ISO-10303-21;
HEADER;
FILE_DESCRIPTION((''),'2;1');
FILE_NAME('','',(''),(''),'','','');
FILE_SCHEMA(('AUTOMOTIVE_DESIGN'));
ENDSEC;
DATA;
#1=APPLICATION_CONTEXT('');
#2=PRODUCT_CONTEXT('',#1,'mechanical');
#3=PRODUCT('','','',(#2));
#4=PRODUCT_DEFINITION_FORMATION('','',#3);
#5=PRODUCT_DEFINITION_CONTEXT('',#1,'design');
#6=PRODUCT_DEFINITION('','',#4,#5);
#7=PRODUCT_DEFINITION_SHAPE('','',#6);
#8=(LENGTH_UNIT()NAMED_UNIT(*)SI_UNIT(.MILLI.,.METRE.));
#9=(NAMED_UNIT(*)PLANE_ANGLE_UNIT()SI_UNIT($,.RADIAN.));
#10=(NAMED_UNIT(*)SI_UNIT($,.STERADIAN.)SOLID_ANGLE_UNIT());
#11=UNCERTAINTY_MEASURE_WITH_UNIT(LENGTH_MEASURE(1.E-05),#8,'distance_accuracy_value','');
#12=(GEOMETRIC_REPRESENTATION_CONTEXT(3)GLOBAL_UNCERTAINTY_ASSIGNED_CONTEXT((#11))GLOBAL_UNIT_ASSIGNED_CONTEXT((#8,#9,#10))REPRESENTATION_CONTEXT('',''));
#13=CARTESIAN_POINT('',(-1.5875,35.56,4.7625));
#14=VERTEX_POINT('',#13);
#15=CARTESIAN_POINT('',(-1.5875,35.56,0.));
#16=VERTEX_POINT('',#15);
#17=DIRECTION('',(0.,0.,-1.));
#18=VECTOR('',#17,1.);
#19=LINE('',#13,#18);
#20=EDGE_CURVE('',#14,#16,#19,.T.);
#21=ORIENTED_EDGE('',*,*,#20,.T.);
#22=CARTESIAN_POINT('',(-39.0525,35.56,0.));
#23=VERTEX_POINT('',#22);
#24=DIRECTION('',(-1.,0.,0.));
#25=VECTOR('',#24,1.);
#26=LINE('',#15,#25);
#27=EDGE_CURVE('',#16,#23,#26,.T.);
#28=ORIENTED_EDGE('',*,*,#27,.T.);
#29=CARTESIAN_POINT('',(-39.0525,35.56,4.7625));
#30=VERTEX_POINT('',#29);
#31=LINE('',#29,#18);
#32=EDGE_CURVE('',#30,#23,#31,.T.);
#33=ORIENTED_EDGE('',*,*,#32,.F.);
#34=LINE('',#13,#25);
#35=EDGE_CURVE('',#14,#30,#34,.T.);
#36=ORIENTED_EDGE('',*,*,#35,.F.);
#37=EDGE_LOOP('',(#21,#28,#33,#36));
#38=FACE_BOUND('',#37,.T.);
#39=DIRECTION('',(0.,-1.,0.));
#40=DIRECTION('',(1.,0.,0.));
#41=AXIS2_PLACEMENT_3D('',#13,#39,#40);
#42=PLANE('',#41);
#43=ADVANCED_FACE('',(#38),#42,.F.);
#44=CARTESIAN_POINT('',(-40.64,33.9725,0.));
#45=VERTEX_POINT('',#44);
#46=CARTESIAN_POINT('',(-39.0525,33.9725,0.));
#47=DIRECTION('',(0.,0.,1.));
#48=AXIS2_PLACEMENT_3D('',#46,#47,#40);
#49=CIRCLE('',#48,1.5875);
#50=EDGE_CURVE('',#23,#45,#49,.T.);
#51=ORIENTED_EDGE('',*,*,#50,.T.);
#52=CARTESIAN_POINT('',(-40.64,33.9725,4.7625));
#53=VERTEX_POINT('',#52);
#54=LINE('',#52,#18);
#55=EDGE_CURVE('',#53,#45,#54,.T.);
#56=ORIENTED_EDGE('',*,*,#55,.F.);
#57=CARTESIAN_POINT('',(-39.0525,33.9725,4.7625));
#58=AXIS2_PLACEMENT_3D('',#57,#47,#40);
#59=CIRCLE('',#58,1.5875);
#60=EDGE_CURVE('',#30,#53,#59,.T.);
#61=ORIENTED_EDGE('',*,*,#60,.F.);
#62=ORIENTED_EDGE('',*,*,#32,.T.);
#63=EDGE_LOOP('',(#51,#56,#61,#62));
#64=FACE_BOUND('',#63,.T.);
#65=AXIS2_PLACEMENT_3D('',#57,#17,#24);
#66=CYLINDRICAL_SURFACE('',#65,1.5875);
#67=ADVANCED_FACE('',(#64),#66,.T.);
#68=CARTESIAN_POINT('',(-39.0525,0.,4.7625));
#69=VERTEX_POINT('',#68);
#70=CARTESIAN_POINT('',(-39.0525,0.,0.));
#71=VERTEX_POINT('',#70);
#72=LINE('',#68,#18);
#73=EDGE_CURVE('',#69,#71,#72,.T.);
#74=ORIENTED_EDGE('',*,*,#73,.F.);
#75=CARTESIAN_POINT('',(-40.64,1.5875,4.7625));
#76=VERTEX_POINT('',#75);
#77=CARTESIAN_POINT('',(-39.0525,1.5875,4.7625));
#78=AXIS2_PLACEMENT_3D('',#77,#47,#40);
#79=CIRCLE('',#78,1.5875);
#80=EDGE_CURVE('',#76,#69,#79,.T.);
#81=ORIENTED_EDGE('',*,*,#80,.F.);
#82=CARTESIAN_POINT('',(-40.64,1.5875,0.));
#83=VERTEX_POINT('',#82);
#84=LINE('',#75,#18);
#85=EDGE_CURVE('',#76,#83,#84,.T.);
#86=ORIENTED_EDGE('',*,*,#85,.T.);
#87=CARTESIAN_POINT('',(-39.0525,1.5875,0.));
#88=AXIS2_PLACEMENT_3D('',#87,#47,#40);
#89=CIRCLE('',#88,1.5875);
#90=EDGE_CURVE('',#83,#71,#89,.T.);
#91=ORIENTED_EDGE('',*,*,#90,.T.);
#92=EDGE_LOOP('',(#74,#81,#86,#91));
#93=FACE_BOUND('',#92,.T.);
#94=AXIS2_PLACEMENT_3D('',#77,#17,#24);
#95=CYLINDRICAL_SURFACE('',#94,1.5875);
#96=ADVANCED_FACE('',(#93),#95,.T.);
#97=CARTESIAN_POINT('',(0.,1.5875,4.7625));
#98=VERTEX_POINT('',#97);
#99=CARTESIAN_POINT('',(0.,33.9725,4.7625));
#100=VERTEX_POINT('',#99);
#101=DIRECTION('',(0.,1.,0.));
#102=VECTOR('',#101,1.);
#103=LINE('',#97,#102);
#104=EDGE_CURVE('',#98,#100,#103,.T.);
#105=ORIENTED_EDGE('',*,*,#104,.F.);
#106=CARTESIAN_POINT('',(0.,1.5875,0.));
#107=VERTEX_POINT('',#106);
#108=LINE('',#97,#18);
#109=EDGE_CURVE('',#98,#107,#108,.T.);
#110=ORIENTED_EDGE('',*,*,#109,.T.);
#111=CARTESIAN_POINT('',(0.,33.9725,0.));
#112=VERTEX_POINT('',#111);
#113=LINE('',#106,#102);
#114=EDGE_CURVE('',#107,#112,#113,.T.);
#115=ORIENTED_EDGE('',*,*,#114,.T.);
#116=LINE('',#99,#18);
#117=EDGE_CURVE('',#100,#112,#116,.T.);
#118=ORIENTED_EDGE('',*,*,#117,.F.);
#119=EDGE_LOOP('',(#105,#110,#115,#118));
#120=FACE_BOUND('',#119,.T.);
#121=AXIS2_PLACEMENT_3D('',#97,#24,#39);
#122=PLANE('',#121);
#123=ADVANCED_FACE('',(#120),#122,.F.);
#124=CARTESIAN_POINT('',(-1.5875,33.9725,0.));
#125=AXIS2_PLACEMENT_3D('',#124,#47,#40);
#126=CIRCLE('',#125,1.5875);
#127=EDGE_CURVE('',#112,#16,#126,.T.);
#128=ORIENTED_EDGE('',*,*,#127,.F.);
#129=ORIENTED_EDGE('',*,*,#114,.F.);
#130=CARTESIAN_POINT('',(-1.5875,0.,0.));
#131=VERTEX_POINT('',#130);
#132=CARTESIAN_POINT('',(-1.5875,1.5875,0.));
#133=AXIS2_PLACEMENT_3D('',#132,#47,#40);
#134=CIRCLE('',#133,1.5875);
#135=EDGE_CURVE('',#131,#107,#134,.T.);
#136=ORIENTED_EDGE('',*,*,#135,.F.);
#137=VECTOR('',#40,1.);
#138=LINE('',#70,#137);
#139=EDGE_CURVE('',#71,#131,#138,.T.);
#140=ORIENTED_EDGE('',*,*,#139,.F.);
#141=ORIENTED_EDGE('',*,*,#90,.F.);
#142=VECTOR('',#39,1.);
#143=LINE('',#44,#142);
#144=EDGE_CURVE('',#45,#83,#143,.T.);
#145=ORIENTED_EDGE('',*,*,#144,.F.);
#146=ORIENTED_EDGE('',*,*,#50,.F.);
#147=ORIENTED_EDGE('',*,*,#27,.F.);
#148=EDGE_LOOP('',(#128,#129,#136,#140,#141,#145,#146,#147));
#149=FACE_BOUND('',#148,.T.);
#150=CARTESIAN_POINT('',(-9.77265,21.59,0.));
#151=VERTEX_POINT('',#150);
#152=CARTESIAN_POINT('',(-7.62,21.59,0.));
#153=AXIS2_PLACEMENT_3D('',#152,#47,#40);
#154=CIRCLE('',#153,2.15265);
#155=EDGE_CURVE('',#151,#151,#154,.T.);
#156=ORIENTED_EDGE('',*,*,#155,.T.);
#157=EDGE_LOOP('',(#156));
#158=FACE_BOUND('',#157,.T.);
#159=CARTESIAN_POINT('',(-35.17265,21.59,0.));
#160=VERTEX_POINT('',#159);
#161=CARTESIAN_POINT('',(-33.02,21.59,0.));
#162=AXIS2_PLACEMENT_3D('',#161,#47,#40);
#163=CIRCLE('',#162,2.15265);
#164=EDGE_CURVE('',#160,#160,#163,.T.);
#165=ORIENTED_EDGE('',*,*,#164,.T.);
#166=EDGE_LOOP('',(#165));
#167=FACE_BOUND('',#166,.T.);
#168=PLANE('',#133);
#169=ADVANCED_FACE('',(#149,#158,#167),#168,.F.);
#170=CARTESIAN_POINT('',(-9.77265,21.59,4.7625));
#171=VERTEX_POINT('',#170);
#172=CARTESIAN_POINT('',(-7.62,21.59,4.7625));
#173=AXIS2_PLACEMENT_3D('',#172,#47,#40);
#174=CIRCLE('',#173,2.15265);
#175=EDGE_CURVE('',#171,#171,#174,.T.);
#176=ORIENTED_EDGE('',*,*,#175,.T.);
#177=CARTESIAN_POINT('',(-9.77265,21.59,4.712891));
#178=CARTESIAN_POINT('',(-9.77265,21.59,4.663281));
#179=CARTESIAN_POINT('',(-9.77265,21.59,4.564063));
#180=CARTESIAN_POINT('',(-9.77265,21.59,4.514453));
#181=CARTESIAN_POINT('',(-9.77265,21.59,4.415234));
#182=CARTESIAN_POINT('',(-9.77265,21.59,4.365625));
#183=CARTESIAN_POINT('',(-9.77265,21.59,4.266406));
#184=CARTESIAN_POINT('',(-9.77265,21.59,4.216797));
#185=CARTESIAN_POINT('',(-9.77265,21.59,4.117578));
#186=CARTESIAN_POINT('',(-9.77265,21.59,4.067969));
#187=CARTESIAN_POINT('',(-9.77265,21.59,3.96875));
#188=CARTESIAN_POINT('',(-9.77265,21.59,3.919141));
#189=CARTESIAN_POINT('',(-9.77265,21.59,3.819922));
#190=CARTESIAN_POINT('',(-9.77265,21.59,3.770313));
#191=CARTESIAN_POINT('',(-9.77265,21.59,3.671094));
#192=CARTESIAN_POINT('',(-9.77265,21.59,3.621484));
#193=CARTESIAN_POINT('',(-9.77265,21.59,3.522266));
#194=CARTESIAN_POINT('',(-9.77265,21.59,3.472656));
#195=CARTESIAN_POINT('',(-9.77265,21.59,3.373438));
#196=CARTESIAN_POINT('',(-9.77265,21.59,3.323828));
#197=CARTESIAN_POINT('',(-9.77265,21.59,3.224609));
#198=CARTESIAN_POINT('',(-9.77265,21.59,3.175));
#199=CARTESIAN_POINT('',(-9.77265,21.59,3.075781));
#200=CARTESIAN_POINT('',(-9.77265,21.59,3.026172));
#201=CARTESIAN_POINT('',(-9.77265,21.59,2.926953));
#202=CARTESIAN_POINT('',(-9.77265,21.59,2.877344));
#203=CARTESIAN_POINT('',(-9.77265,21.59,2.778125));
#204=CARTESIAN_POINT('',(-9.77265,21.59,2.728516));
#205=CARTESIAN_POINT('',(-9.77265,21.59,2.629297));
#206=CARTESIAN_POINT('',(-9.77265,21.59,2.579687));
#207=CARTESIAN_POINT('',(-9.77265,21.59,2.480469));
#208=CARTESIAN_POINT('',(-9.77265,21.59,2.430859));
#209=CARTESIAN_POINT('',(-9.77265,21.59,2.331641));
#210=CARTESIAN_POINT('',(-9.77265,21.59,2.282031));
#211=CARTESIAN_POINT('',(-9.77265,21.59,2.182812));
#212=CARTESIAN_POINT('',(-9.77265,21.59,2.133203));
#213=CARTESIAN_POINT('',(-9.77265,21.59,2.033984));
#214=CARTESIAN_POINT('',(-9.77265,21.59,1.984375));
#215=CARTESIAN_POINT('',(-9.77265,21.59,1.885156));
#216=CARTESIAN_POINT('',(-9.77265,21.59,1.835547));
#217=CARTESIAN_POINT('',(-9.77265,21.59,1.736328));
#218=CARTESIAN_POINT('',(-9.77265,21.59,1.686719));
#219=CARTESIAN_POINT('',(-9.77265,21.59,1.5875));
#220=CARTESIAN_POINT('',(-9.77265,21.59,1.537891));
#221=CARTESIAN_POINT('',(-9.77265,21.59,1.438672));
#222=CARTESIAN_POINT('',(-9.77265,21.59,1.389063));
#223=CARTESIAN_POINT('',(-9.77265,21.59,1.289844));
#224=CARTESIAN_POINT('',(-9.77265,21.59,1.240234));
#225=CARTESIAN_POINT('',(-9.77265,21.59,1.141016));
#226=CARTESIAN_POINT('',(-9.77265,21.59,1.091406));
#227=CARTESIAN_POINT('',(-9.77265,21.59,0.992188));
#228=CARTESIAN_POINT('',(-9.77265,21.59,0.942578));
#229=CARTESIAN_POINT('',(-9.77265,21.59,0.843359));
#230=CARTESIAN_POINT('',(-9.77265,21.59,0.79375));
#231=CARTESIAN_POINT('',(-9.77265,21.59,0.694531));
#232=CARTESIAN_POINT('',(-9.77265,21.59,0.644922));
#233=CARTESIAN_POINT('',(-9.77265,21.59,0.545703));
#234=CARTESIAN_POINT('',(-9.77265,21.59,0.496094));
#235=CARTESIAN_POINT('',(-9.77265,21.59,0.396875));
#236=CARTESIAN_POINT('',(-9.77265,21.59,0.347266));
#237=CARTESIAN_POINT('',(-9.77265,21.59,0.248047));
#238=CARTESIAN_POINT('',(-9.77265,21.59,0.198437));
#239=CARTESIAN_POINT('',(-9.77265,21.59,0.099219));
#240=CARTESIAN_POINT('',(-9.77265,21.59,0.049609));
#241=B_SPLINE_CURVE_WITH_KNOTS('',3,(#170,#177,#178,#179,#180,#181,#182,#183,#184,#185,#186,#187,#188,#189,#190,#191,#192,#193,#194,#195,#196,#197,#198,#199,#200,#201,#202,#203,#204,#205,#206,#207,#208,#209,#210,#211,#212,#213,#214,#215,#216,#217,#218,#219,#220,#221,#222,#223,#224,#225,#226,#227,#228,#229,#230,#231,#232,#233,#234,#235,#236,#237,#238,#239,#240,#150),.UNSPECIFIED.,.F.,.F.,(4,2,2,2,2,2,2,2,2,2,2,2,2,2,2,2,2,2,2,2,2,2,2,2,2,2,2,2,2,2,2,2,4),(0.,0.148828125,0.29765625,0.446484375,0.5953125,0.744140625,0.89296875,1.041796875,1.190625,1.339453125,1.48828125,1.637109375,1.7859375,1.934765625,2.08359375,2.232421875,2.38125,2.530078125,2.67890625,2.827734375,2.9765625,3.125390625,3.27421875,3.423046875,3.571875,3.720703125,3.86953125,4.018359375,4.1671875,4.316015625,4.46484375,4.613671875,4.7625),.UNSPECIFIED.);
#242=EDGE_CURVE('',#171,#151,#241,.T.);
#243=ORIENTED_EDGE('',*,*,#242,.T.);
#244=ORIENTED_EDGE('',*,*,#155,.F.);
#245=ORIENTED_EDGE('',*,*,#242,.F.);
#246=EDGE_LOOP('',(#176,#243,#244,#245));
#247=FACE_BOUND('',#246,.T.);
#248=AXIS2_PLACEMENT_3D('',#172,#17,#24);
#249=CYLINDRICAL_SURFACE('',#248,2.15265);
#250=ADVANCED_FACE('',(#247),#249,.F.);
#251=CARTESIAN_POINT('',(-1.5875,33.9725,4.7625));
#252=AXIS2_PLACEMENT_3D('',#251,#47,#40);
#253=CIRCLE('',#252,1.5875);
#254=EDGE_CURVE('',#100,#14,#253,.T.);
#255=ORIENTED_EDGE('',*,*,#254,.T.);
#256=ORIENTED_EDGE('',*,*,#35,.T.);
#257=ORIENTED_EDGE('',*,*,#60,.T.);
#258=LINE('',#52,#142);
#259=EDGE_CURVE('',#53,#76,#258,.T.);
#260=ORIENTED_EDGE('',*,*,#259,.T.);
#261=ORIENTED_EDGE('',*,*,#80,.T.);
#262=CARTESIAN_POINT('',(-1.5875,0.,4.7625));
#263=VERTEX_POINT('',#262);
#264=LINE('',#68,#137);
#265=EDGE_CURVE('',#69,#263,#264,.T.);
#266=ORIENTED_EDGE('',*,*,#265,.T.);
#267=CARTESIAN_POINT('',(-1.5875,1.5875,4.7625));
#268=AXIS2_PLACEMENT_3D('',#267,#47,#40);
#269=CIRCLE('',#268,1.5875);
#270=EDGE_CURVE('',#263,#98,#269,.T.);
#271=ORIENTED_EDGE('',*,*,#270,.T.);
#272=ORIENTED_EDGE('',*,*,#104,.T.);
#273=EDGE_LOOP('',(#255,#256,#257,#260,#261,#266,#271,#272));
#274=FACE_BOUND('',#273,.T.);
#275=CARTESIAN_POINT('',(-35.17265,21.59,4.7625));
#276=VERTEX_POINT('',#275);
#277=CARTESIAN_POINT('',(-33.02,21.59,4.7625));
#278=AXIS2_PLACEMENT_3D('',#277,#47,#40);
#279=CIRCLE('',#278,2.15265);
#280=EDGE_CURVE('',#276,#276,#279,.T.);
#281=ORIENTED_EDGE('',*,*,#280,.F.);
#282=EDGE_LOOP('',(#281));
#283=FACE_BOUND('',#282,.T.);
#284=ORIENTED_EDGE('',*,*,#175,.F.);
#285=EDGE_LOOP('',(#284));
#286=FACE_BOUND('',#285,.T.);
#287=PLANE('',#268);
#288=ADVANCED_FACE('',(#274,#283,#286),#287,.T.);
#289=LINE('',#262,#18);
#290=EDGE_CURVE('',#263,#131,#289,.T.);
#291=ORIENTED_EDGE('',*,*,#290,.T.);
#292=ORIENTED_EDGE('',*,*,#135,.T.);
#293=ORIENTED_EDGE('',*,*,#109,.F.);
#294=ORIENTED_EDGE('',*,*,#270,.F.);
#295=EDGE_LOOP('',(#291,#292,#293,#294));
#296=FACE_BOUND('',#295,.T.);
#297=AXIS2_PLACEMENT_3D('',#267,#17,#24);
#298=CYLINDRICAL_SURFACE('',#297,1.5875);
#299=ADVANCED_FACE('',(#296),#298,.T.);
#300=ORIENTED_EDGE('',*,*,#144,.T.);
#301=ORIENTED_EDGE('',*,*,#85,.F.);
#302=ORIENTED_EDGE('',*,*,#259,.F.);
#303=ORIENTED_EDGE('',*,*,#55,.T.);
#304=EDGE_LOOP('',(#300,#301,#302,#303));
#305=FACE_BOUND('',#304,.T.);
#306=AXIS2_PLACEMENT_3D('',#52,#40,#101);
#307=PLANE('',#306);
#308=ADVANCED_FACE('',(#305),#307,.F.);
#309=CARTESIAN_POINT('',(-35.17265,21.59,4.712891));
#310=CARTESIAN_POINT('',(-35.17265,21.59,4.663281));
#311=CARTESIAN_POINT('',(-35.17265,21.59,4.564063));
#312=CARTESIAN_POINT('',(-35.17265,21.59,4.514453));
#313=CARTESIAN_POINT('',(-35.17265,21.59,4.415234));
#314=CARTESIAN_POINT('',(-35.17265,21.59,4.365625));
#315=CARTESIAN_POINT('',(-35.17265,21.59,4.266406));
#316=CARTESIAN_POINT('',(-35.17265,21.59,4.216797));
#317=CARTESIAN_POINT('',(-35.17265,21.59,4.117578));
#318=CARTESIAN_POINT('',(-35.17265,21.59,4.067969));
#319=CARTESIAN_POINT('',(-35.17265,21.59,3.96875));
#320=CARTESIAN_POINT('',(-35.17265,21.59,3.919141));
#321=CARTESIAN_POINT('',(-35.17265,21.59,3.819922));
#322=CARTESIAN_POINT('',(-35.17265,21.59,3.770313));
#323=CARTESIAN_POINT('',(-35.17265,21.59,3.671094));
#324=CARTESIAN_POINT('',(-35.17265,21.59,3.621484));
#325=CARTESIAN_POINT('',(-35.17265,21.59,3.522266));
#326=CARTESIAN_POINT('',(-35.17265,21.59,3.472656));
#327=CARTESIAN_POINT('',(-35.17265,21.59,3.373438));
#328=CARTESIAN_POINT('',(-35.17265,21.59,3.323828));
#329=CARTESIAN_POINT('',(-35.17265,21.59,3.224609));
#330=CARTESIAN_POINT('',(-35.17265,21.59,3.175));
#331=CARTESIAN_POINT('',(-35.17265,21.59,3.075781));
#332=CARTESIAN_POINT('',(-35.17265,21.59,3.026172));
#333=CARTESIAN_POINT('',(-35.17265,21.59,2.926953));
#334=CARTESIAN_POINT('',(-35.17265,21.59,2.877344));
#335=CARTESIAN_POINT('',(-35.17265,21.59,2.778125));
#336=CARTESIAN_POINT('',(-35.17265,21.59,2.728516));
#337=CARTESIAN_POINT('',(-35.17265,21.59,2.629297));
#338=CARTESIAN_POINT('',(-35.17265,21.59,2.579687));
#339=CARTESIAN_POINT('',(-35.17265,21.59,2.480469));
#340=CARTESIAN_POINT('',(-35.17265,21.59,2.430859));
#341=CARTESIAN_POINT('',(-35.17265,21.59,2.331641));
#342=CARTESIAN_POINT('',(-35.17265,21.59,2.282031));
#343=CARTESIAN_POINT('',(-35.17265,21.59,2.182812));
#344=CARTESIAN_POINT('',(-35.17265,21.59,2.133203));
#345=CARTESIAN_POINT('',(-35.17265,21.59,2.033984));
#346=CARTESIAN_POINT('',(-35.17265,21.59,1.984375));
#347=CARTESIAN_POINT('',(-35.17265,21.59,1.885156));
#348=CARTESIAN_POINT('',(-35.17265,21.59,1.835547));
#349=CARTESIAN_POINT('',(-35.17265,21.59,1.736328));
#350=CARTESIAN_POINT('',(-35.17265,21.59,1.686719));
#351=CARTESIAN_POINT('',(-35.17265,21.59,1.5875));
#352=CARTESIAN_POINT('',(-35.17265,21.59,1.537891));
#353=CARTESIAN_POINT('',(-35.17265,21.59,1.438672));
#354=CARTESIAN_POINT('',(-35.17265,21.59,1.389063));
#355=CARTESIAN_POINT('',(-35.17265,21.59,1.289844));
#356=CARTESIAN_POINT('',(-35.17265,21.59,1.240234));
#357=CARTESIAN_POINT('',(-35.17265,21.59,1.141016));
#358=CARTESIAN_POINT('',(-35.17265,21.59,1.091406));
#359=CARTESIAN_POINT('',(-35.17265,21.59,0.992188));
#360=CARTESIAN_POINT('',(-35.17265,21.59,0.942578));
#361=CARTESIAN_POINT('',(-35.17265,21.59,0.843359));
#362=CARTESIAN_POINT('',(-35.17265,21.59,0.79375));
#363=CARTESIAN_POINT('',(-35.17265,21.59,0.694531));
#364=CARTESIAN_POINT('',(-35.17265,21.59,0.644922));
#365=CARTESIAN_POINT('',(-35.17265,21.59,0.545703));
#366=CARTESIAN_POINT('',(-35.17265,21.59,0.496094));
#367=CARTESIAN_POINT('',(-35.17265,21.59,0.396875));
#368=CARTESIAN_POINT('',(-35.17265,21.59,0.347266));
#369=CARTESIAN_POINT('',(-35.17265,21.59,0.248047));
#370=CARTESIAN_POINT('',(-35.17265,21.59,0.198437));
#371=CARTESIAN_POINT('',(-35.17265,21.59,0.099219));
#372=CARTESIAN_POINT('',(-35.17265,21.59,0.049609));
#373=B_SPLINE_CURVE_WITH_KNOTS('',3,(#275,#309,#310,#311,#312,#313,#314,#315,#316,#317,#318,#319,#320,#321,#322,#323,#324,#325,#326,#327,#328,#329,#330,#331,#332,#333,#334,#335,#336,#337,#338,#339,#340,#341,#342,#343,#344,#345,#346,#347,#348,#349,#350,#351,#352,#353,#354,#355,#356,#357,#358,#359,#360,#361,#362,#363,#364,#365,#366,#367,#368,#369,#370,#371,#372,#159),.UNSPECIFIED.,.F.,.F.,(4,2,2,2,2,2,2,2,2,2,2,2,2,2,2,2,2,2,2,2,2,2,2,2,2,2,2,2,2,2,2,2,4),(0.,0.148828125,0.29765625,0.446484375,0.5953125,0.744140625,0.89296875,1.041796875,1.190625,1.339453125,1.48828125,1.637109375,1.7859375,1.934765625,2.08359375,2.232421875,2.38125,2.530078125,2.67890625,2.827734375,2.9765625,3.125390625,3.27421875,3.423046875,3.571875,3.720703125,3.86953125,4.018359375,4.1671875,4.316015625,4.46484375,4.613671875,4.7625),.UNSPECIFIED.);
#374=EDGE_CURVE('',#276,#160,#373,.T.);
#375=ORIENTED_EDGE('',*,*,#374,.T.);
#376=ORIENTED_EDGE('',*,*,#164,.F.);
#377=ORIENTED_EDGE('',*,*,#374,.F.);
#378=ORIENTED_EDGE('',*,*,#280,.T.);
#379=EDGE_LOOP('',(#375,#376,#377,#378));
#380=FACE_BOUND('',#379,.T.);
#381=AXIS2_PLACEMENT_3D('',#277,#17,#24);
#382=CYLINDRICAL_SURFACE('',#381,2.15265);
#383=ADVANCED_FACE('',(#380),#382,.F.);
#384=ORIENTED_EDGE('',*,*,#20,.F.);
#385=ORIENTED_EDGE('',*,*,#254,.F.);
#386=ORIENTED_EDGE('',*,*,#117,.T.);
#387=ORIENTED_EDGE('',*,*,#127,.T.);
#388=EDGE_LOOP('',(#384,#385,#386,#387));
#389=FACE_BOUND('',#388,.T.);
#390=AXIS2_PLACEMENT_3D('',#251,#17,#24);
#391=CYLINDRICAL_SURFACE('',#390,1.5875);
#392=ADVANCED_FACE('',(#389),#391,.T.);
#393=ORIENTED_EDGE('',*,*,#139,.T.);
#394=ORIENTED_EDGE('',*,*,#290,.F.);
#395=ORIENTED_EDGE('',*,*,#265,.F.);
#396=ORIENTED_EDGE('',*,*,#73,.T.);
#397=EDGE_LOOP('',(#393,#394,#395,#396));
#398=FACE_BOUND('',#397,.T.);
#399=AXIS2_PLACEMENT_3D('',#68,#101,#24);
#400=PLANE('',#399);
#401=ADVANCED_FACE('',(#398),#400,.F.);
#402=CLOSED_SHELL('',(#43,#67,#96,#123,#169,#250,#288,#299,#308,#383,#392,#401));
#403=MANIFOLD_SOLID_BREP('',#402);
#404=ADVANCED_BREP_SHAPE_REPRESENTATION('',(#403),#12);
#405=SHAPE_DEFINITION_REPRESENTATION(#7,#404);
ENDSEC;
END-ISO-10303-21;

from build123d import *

# Parameters (mm, degrees)
SKETCH1_R           = 2.15265
BOSS_EXTRUDE1_DEPTH = 4.7625


with BuildPart() as part:
    # Sketch1 → Boss-Extrude1 (new body)
    with BuildSketch(Plane.XY):
        with BuildLine():
            Line((0, 1.5875), (0, 33.9725))
            ThreePointArc((0, 33.9725), (-0.464967985, 35.095032015), (-1.5875, 35.56))
            Line((-1.5875, 35.56), (-39.0525, 35.56))
            ThreePointArc((-39.0525, 35.56), (-40.175032015, 35.095032015), (-40.64, 33.9725))
            Line((-40.64, 33.9725), (-40.64, 1.5875))
            ThreePointArc((-40.64, 1.5875), (-40.175032015, 0.464967985), (-39.0525, 0))
            Line((-39.0525, 0), (-1.5875, 0))
            ThreePointArc((-1.5875, 0), (-0.464967985, 0.464967985), (0, 1.5875))
        make_face()
        with Locations(Location((-7.62, 21.59, 0), (0, 0, 180))):
            Circle(SKETCH1_R, mode=Mode.SUBTRACT)
        with Locations(Location((-33.02, 21.59, 0), (0, 0, 180))):
            Circle(SKETCH1_R, mode=Mode.SUBTRACT)
    extrude(amount=BOSS_EXTRUDE1_DEPTH)


solid = part.part
